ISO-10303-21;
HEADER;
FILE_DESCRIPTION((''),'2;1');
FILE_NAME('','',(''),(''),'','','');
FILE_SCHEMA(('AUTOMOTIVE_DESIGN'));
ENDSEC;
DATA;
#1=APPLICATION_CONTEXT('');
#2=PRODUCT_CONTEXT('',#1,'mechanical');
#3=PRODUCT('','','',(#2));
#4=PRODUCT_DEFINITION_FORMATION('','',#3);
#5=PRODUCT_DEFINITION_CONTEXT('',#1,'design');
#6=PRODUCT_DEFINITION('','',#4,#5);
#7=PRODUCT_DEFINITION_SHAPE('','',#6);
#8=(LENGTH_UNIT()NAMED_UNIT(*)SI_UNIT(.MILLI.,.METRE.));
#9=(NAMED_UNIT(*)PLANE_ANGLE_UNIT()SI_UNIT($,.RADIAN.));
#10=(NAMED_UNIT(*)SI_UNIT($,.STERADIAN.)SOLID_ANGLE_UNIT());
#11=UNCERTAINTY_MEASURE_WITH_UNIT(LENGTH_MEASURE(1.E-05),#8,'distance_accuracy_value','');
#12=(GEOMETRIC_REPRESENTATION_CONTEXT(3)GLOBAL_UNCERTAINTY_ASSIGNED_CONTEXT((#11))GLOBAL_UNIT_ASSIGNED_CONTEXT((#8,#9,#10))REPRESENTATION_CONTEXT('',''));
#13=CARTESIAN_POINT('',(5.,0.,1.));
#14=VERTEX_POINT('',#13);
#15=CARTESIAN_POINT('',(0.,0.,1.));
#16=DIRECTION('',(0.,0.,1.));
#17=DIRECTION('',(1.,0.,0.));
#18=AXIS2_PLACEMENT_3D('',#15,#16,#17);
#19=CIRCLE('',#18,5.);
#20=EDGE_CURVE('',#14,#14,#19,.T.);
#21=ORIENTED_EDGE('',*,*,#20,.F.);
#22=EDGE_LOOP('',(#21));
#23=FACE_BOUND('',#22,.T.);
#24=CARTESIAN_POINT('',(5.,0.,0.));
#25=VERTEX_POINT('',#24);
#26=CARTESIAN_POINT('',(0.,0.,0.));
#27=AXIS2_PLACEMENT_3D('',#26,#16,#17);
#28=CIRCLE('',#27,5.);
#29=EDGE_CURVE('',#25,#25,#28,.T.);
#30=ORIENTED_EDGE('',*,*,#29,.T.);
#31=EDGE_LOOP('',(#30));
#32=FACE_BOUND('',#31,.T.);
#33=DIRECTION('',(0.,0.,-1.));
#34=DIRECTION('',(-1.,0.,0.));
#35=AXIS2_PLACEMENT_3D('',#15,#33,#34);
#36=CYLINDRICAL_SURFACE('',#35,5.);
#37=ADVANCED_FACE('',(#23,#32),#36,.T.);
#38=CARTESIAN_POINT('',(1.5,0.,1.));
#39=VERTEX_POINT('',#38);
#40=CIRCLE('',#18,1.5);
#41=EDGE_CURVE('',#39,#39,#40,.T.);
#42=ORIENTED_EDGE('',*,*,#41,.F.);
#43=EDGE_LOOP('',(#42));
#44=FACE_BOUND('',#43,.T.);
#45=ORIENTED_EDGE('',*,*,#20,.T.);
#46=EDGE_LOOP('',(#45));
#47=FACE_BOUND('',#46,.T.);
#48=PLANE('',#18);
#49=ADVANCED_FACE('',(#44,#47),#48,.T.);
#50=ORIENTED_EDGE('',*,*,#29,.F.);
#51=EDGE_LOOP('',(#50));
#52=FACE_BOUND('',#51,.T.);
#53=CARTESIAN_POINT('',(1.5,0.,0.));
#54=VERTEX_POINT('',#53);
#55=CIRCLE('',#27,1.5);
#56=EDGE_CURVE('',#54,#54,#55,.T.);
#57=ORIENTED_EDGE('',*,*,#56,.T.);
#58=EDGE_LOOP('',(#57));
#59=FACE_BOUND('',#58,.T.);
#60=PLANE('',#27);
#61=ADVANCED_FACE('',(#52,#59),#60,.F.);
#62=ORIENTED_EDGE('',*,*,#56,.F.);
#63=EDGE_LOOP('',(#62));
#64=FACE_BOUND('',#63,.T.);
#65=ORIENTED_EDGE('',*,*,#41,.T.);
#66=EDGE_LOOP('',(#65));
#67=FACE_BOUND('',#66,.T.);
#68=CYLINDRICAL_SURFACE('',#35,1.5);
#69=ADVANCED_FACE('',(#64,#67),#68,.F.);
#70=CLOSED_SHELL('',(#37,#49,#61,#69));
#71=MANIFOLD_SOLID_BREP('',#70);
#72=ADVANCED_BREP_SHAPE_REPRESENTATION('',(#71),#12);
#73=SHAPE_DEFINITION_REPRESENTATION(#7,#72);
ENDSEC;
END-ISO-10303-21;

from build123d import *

# Parameters (mm, degrees)
ESQUISSE1_R        = 5
ESQUISSE1_R_2      = 1.5
BOSS_EXTRU_1_DEPTH = 1


with BuildPart() as part:
    # Esquisse1 → Boss.-Extru.1 (new body)
    with BuildSketch(Plane.XY):
        Circle(ESQUISSE1_R)
        Circle(ESQUISSE1_R_2, mode=Mode.SUBTRACT)
    extrude(amount=BOSS_EXTRU_1_DEPTH)


solid = part.part
